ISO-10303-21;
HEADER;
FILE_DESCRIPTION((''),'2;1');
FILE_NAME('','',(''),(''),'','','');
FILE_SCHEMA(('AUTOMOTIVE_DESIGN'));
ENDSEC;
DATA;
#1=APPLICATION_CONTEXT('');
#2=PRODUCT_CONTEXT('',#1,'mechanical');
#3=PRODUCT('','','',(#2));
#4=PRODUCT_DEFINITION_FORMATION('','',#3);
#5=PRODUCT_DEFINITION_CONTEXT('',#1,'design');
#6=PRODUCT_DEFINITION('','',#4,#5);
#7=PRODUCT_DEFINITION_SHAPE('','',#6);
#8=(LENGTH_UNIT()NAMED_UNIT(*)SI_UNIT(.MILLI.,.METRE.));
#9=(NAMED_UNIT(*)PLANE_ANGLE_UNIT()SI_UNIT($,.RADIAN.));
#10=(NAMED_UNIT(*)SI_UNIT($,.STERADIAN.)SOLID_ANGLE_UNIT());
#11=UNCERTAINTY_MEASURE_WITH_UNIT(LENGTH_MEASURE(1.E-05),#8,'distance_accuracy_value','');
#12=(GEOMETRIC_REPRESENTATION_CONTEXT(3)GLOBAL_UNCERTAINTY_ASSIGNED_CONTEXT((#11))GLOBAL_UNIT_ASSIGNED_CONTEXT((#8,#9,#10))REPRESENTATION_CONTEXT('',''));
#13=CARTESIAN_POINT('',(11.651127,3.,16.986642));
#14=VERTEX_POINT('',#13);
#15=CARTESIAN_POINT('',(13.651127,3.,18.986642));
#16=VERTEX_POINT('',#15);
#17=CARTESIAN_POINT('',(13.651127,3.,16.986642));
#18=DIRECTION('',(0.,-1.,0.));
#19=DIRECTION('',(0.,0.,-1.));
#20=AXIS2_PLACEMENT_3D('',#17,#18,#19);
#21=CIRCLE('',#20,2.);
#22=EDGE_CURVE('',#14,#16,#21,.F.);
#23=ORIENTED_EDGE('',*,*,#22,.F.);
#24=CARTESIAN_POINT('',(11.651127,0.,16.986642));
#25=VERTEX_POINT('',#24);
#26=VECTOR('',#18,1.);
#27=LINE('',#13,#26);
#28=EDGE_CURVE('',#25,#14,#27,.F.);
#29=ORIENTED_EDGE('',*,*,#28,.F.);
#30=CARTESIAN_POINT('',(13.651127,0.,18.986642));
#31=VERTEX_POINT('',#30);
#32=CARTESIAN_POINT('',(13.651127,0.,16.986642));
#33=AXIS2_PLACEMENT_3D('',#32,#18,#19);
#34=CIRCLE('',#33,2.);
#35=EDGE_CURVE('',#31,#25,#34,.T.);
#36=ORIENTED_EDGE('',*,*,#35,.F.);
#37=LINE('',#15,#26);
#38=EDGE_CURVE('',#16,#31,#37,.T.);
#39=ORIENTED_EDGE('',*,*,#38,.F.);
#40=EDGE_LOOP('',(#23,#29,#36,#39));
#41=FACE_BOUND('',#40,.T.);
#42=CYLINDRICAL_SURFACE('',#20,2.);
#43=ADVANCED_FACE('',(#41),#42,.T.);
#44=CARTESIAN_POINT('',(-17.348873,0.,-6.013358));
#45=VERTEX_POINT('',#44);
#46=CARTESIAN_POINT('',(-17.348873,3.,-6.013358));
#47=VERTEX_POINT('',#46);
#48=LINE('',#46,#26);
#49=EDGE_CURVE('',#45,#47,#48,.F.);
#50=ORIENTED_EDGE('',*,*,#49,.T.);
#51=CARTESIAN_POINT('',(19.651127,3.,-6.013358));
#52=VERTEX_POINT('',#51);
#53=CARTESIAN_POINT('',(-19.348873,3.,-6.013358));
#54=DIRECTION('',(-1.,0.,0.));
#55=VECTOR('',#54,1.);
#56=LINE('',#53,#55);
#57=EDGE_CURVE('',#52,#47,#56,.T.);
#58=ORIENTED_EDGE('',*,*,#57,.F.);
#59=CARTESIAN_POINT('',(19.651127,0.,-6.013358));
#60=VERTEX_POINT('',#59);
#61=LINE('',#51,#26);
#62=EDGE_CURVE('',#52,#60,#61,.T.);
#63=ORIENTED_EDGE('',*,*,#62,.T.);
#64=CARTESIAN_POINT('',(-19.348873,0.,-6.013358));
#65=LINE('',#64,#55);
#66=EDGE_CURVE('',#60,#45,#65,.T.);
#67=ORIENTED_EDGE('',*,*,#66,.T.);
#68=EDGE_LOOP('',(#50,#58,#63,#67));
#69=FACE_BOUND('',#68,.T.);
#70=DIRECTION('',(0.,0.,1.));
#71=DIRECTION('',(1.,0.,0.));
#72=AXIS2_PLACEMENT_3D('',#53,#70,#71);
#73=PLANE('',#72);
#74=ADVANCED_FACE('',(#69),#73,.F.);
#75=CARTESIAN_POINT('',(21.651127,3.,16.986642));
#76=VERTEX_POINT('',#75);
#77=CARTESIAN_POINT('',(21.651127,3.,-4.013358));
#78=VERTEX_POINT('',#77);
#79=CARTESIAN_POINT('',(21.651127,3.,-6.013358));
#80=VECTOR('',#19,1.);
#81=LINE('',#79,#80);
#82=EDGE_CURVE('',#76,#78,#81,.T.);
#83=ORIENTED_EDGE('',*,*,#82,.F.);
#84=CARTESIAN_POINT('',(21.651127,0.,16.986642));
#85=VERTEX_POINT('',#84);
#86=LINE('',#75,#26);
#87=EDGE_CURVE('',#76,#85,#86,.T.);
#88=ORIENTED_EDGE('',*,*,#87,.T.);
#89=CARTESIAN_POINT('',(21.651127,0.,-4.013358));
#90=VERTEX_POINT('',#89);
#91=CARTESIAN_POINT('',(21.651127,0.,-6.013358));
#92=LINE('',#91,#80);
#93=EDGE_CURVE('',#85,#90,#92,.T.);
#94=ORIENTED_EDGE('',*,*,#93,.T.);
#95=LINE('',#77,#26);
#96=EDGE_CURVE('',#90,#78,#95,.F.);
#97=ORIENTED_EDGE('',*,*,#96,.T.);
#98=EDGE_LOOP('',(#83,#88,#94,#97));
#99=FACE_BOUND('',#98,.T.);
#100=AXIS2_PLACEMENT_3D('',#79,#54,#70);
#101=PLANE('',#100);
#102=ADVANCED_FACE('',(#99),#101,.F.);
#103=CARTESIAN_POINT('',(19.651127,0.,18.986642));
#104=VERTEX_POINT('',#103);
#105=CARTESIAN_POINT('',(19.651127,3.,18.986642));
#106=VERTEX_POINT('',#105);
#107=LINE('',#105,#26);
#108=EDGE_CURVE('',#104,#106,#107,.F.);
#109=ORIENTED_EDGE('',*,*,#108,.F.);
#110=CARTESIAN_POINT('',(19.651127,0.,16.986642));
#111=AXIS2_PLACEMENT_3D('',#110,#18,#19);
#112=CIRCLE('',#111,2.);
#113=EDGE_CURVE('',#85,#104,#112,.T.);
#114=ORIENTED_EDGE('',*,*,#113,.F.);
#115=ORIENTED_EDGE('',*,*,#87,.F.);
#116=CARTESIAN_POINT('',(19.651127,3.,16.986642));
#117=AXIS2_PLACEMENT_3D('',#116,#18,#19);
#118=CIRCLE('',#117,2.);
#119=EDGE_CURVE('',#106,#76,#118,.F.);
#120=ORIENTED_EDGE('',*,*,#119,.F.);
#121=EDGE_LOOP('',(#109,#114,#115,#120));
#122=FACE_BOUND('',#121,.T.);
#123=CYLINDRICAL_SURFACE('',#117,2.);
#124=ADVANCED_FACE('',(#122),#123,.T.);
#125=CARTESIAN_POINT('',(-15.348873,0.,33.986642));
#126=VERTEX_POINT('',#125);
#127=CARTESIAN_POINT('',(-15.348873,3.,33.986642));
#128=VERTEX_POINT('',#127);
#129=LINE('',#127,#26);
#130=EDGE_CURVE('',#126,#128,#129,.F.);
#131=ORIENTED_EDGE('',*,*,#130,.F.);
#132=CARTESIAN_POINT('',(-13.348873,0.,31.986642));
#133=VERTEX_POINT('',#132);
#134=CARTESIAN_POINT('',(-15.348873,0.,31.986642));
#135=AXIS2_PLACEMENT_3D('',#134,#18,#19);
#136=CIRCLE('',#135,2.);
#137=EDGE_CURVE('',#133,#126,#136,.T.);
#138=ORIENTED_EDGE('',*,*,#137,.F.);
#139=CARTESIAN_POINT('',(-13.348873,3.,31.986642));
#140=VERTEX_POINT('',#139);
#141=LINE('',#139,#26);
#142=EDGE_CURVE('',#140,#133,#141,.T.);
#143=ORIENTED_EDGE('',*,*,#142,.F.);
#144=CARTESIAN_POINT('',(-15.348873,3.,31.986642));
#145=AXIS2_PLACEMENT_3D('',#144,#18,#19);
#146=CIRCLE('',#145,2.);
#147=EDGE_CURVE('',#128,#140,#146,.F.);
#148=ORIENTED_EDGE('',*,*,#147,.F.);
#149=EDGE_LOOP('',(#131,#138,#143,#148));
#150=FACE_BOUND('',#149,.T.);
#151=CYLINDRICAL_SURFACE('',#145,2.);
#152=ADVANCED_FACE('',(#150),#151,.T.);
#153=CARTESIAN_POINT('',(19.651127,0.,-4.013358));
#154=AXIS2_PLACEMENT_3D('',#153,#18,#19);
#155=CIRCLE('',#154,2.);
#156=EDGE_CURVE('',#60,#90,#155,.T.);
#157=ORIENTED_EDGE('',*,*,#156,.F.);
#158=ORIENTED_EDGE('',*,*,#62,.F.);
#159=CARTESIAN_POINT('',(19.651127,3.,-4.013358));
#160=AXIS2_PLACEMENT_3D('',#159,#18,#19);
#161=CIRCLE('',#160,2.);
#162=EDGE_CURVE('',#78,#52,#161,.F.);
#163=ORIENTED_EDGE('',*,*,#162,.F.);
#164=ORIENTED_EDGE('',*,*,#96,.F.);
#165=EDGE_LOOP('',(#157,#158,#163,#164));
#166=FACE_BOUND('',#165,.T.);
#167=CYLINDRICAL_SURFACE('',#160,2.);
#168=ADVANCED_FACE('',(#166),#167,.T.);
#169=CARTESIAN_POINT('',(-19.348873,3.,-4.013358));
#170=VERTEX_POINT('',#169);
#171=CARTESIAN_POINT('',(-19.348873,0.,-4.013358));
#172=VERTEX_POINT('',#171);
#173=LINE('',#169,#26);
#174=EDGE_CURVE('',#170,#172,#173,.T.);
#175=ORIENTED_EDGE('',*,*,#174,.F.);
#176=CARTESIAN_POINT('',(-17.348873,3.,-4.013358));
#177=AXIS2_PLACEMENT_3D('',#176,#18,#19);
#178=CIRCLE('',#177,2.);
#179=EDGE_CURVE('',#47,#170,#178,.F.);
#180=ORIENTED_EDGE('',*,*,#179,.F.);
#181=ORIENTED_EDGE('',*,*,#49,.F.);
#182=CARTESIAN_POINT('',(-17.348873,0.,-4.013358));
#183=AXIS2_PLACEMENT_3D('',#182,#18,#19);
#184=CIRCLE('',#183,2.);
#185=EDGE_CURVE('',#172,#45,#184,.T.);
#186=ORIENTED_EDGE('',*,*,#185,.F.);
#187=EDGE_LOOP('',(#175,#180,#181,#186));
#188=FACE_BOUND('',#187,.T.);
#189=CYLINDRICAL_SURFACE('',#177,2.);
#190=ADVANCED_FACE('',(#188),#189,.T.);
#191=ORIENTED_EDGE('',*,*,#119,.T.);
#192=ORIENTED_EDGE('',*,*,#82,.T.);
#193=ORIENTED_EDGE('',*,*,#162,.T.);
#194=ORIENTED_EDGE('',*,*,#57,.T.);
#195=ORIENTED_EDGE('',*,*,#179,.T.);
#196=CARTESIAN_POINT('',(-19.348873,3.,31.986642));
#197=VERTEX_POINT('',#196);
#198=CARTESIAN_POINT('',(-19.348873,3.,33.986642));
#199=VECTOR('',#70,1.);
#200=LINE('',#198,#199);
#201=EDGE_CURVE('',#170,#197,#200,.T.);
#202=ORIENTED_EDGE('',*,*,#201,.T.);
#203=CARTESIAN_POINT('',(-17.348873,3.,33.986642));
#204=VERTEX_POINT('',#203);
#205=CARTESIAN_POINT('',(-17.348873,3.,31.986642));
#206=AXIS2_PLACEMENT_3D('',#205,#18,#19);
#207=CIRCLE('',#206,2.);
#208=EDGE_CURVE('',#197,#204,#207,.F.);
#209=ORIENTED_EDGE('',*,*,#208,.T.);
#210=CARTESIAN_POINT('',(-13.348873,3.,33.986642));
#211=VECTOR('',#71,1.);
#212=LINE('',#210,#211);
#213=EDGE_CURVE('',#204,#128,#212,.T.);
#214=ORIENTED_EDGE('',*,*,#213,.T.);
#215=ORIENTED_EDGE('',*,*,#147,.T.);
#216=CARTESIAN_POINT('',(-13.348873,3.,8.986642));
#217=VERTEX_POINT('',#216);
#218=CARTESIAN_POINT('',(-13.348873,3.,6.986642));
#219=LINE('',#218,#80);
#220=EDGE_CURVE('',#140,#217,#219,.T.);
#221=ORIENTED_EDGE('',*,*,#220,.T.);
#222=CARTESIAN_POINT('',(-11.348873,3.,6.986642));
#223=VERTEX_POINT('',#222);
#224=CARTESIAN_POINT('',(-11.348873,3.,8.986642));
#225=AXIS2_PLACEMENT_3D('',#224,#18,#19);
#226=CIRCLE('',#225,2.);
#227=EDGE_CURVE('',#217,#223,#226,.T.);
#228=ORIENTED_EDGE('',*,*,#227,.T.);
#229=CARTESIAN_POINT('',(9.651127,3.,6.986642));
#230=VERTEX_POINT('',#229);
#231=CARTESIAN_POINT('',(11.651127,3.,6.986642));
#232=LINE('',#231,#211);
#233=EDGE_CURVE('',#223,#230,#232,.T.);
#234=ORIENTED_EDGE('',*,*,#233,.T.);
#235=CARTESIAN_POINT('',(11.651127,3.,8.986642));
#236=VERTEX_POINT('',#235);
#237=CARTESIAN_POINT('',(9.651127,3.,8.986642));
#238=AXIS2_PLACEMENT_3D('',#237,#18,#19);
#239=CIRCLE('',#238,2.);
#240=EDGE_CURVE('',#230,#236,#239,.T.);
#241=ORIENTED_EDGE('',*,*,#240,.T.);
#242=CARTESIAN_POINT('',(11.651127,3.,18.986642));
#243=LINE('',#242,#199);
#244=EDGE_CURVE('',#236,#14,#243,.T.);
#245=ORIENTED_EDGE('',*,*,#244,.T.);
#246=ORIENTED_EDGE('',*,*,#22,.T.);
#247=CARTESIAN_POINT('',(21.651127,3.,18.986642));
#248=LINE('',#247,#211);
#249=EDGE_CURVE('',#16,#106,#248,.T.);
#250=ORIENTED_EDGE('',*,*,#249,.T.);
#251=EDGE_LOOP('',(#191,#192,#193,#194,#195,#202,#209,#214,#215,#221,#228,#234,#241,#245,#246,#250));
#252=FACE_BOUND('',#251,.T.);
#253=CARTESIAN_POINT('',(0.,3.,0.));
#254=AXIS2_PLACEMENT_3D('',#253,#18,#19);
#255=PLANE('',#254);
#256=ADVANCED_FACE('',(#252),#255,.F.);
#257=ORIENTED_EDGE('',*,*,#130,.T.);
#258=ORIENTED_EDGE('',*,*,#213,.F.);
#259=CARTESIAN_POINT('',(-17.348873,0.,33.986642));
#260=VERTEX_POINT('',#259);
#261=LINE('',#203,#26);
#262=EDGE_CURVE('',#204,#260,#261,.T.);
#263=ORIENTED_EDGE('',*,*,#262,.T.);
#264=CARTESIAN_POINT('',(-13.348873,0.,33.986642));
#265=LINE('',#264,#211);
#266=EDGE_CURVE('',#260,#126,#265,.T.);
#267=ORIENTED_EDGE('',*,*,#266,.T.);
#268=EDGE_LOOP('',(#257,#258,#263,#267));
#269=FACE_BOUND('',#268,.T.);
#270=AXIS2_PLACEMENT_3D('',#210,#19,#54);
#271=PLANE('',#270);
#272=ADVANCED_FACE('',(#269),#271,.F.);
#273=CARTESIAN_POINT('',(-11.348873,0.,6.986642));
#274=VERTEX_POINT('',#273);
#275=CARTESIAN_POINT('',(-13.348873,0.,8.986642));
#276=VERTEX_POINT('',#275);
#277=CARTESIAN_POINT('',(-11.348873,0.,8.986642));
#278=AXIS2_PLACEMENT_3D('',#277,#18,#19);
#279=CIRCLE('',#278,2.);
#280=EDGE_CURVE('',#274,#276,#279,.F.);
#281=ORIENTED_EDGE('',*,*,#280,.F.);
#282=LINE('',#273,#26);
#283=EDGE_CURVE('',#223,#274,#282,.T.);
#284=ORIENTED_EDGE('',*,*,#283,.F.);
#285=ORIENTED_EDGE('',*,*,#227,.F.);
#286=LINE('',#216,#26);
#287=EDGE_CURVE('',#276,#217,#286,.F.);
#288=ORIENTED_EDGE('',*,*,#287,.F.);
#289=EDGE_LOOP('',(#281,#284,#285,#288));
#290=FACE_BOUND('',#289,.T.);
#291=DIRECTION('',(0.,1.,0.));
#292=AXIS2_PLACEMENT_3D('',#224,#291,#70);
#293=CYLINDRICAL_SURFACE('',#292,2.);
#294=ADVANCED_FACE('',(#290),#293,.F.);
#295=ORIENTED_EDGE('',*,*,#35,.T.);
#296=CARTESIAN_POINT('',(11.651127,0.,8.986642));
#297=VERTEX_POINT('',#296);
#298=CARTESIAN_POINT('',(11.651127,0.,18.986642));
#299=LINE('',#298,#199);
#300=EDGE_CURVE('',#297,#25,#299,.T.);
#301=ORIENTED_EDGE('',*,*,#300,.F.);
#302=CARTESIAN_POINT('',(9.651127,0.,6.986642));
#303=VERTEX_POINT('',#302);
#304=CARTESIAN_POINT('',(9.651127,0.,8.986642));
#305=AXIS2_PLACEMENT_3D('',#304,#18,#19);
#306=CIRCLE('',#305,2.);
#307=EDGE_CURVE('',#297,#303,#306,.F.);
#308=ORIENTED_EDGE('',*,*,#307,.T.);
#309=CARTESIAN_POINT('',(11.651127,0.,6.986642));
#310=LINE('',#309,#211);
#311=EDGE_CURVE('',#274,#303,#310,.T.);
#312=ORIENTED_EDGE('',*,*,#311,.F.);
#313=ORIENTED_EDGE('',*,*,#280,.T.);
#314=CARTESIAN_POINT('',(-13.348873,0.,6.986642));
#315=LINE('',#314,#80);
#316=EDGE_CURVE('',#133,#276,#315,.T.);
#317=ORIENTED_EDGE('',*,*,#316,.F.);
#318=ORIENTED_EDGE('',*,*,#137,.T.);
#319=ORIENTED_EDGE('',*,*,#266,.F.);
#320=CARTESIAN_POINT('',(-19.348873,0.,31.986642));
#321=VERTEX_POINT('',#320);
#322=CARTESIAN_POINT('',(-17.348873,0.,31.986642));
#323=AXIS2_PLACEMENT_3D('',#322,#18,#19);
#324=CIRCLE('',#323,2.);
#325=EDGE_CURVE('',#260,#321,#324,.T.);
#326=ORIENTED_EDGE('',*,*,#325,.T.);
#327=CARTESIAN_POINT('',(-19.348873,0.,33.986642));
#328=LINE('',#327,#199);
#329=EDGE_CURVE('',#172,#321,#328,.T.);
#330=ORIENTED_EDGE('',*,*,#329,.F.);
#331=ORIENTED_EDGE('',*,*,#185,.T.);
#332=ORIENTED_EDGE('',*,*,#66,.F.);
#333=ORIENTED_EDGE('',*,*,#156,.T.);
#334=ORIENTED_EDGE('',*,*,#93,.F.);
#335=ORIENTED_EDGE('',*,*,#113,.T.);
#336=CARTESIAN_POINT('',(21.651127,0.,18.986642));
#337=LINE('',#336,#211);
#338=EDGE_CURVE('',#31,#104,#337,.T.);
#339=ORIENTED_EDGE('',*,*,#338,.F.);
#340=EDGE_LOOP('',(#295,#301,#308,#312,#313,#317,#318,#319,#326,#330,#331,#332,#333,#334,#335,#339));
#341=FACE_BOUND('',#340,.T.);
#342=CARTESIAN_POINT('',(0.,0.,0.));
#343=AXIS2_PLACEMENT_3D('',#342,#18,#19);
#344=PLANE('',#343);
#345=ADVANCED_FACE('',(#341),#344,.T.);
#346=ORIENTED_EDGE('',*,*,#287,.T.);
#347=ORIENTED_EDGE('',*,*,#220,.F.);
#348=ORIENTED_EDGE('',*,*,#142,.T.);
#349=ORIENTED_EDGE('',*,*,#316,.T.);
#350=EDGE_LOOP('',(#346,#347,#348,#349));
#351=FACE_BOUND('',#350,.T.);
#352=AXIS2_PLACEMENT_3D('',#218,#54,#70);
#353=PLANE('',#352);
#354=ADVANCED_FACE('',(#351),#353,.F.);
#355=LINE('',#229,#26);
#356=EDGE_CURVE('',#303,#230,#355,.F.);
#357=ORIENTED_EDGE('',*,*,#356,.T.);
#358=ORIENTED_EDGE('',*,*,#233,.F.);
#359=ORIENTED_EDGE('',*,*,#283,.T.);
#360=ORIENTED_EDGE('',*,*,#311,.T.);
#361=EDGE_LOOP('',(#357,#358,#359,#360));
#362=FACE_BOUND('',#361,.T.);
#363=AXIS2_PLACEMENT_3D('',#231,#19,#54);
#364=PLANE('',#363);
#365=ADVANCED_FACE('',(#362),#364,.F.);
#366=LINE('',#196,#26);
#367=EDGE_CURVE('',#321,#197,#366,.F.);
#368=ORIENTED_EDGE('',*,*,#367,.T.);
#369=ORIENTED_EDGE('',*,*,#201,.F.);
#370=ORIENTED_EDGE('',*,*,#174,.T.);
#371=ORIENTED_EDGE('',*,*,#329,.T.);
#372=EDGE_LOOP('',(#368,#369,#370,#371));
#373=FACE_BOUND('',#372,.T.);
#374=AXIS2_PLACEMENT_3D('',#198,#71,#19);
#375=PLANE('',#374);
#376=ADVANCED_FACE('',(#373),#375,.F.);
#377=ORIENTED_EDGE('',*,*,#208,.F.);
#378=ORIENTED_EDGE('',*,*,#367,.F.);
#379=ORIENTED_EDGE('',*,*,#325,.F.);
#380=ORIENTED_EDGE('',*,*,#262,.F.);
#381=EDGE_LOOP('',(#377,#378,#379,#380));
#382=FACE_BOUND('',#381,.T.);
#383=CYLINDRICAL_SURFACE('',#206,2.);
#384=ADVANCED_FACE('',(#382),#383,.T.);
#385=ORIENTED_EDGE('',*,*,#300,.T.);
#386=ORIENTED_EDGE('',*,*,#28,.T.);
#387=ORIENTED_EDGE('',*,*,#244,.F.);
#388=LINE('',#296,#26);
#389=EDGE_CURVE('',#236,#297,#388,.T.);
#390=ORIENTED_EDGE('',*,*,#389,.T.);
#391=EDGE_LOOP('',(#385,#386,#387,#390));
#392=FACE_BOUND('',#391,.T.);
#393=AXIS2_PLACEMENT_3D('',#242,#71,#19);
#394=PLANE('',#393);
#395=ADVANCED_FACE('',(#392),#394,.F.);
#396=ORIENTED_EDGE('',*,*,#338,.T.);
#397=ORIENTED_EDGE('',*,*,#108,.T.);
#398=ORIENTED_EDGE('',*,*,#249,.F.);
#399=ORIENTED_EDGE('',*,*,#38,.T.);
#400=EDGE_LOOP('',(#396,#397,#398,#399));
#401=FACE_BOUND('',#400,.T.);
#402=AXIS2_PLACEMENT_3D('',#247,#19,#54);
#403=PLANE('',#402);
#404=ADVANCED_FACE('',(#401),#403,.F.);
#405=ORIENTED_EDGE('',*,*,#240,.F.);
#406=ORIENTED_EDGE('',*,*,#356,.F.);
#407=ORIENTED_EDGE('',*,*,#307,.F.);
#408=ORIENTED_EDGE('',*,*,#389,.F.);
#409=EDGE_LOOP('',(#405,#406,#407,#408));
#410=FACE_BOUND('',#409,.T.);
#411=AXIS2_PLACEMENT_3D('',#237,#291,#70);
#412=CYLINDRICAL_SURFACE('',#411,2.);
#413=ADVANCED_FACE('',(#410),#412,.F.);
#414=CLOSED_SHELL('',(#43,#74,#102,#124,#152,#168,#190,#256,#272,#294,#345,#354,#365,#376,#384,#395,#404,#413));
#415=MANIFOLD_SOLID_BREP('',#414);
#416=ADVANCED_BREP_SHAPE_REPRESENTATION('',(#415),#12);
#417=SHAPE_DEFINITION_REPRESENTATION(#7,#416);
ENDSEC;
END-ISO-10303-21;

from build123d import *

# Parameters (mm, degrees)
BOSS_EXTRUDE1_DEPTH = 3
FILLET1_R           = 2


with BuildPart() as part:
    # Sketch1 → Boss-Extrude1 (new body)
    with BuildSketch(Plane(origin=(0, 0, 0), x_dir=(1, 0, 0), z_dir=(0, 1, 0))):
        Polygon((-19.348873447, 6.013358482), (21.651126553, 6.013358482), (21.651126553, -18.986641518), (11.651126553, -18.986641518), (11.651126553, -6.986641518), (-13.348873447, -6.986641518), (-13.348873447, -33.986641518), (-19.348873447, -33.986641518), align=None)
    extrude(amount=BOSS_EXTRUDE1_DEPTH)

    # Fillet1
    fillet1_edges = [part.edges().sort_by_distance(p)[0] for p in [
        (-19.348873447, 1.5, -6.013358482),
        (21.651126553, 1.5, -6.013358482),
        (21.651126553, 1.5, 18.986641518),
        (11.651126553, 1.5, 18.986641518),
        (11.651126553, 1.5, 6.986641518),
        (-13.348873447, 1.5, 6.986641518),
        (-13.348873447, 1.5, 33.986641518),
        (-19.348873447, 1.5, 33.986641518),
    ]]
    fillet(fillet1_edges, radius=FILLET1_R)


solid = part.part
